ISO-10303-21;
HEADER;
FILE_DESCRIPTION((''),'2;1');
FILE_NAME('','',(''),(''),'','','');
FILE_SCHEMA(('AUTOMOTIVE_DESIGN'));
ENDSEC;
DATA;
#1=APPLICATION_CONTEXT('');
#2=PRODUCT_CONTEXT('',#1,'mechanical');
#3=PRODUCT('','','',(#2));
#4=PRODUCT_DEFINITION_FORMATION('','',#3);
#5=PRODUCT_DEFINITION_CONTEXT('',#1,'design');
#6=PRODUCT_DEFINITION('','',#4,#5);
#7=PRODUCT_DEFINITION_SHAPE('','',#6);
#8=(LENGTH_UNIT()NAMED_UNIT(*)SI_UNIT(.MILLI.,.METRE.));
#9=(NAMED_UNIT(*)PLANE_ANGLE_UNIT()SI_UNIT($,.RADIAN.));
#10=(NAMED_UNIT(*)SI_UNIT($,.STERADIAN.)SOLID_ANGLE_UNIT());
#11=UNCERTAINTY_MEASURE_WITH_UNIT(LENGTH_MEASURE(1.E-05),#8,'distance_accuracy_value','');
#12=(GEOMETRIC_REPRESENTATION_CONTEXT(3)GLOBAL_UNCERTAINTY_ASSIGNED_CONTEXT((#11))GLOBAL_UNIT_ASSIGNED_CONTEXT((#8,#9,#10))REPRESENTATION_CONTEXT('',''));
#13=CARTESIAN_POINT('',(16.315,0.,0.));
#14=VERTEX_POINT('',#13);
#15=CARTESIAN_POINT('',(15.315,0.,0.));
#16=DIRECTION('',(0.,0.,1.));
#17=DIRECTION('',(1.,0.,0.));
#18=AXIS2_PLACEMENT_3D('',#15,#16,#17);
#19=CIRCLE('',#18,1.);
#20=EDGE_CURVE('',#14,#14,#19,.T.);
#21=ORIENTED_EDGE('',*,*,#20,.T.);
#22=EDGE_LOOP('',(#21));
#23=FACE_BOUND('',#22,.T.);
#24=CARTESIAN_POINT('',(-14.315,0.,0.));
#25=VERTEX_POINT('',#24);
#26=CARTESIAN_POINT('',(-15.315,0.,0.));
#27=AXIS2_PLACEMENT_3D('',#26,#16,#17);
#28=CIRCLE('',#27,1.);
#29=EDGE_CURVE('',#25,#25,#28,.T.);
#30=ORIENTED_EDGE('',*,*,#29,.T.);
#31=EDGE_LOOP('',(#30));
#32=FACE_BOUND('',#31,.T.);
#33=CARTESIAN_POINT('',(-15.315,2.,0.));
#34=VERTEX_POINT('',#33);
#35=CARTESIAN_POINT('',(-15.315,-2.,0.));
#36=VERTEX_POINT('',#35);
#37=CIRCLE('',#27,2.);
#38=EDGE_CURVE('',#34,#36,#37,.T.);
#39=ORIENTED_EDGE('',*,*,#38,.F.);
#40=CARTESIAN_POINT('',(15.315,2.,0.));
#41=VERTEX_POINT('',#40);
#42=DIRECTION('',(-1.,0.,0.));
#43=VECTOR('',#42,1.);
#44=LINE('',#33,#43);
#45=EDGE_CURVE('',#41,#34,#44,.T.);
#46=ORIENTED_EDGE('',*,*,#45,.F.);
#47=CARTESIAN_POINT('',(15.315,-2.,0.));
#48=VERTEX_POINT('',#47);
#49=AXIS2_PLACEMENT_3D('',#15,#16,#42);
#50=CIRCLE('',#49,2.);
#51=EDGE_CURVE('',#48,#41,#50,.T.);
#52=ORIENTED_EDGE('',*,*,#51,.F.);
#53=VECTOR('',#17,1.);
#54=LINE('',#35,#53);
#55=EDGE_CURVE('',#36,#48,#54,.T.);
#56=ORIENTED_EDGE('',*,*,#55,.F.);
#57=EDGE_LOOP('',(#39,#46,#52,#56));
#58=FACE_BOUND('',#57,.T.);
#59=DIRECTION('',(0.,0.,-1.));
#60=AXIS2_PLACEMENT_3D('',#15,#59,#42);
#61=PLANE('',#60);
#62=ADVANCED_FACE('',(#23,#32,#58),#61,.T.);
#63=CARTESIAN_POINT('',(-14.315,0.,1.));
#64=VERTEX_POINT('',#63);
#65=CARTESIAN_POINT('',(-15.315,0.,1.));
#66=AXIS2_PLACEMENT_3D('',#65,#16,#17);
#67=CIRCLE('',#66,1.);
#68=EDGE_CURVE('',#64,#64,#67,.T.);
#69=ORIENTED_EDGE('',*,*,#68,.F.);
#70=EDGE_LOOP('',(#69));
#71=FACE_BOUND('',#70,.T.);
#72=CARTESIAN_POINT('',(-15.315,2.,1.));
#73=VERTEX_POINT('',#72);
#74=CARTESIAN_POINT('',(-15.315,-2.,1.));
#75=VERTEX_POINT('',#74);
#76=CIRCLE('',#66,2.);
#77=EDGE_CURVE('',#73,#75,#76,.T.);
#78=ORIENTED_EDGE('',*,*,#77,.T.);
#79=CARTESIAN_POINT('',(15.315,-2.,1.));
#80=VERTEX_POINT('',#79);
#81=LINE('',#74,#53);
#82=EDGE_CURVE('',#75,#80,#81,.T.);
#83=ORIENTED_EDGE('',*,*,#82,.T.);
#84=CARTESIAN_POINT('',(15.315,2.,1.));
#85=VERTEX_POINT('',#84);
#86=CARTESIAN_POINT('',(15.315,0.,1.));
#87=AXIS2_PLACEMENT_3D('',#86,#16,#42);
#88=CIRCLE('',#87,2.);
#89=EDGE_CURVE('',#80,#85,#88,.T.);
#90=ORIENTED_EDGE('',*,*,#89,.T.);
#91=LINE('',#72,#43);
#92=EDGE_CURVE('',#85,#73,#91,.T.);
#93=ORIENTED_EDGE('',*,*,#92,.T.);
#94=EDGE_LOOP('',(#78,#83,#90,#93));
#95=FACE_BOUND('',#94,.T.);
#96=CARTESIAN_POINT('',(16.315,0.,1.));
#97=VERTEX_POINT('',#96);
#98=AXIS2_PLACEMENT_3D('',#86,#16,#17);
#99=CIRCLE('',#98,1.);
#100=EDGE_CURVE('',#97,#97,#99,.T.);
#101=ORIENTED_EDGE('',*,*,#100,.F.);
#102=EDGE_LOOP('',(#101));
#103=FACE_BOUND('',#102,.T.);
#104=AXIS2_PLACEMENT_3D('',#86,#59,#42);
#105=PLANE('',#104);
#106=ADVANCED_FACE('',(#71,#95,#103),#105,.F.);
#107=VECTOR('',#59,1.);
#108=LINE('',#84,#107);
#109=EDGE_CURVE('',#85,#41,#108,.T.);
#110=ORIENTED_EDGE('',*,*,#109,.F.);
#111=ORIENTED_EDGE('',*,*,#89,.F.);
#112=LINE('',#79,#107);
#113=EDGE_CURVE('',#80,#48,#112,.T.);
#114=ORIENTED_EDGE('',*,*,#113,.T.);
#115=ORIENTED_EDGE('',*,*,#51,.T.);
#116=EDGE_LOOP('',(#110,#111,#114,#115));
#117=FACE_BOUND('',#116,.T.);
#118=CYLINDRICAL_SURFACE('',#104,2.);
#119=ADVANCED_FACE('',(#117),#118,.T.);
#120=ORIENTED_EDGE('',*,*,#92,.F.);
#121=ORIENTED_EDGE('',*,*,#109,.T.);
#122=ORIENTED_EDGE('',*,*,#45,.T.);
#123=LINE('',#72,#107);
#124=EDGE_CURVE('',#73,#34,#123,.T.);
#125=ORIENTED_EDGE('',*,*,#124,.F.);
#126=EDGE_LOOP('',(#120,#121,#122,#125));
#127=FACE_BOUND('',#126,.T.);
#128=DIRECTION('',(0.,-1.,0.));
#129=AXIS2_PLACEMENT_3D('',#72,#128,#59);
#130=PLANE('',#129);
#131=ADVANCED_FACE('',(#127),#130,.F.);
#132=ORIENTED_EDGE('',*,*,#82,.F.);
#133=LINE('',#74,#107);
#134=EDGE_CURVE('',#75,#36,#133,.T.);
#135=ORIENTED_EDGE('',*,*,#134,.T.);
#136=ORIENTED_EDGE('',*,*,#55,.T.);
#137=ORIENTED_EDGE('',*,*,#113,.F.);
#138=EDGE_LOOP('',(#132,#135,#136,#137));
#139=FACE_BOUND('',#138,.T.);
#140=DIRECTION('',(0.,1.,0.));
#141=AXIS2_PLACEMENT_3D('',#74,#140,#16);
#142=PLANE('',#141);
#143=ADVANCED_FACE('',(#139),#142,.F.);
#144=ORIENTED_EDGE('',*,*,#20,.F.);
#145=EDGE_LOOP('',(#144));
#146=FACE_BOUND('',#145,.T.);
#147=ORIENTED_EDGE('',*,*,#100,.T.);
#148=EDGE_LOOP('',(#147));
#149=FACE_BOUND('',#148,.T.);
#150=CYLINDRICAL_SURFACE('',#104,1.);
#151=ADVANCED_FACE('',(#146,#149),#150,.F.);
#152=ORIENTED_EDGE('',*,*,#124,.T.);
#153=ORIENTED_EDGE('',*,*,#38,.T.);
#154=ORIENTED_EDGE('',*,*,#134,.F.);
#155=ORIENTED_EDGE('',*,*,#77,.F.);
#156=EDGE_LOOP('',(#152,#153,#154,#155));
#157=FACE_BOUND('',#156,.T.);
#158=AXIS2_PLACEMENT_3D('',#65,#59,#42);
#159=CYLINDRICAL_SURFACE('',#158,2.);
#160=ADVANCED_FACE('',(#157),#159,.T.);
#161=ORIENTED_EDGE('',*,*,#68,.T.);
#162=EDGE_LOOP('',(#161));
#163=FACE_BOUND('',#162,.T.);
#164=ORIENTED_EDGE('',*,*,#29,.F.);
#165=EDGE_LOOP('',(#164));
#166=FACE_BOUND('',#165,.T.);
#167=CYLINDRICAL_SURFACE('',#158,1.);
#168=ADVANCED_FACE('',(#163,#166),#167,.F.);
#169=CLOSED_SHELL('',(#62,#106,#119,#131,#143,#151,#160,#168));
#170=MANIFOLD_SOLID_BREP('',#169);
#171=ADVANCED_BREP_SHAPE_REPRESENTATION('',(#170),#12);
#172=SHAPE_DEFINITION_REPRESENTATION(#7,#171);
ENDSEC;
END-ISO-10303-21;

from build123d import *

# Parameters (mm, degrees)
ESBO_O1_R                = 1
RESSALTO_EXTRUS_O1_DEPTH = 1


with BuildPart() as part:
    # Esboço1 → Ressalto-extrusão1 (new body)
    with BuildSketch(Plane.XY):
        with BuildLine():
            Line((-15.315, 2), (15.315, 2))
            ThreePointArc((15.315, 2), (17.315, 0), (15.315, -2))
            Line((15.315, -2), (-15.315, -2))
            ThreePointArc((-15.315, -2), (-17.315, 0), (-15.315, 2))
        make_face()
        with Locations((-15.315, 0)):
            Circle(ESBO_O1_R, mode=Mode.SUBTRACT)
        with Locations((15.315, 0)):
            Circle(ESBO_O1_R, mode=Mode.SUBTRACT)
    extrude(amount=RESSALTO_EXTRUS_O1_DEPTH)


solid = part.part
